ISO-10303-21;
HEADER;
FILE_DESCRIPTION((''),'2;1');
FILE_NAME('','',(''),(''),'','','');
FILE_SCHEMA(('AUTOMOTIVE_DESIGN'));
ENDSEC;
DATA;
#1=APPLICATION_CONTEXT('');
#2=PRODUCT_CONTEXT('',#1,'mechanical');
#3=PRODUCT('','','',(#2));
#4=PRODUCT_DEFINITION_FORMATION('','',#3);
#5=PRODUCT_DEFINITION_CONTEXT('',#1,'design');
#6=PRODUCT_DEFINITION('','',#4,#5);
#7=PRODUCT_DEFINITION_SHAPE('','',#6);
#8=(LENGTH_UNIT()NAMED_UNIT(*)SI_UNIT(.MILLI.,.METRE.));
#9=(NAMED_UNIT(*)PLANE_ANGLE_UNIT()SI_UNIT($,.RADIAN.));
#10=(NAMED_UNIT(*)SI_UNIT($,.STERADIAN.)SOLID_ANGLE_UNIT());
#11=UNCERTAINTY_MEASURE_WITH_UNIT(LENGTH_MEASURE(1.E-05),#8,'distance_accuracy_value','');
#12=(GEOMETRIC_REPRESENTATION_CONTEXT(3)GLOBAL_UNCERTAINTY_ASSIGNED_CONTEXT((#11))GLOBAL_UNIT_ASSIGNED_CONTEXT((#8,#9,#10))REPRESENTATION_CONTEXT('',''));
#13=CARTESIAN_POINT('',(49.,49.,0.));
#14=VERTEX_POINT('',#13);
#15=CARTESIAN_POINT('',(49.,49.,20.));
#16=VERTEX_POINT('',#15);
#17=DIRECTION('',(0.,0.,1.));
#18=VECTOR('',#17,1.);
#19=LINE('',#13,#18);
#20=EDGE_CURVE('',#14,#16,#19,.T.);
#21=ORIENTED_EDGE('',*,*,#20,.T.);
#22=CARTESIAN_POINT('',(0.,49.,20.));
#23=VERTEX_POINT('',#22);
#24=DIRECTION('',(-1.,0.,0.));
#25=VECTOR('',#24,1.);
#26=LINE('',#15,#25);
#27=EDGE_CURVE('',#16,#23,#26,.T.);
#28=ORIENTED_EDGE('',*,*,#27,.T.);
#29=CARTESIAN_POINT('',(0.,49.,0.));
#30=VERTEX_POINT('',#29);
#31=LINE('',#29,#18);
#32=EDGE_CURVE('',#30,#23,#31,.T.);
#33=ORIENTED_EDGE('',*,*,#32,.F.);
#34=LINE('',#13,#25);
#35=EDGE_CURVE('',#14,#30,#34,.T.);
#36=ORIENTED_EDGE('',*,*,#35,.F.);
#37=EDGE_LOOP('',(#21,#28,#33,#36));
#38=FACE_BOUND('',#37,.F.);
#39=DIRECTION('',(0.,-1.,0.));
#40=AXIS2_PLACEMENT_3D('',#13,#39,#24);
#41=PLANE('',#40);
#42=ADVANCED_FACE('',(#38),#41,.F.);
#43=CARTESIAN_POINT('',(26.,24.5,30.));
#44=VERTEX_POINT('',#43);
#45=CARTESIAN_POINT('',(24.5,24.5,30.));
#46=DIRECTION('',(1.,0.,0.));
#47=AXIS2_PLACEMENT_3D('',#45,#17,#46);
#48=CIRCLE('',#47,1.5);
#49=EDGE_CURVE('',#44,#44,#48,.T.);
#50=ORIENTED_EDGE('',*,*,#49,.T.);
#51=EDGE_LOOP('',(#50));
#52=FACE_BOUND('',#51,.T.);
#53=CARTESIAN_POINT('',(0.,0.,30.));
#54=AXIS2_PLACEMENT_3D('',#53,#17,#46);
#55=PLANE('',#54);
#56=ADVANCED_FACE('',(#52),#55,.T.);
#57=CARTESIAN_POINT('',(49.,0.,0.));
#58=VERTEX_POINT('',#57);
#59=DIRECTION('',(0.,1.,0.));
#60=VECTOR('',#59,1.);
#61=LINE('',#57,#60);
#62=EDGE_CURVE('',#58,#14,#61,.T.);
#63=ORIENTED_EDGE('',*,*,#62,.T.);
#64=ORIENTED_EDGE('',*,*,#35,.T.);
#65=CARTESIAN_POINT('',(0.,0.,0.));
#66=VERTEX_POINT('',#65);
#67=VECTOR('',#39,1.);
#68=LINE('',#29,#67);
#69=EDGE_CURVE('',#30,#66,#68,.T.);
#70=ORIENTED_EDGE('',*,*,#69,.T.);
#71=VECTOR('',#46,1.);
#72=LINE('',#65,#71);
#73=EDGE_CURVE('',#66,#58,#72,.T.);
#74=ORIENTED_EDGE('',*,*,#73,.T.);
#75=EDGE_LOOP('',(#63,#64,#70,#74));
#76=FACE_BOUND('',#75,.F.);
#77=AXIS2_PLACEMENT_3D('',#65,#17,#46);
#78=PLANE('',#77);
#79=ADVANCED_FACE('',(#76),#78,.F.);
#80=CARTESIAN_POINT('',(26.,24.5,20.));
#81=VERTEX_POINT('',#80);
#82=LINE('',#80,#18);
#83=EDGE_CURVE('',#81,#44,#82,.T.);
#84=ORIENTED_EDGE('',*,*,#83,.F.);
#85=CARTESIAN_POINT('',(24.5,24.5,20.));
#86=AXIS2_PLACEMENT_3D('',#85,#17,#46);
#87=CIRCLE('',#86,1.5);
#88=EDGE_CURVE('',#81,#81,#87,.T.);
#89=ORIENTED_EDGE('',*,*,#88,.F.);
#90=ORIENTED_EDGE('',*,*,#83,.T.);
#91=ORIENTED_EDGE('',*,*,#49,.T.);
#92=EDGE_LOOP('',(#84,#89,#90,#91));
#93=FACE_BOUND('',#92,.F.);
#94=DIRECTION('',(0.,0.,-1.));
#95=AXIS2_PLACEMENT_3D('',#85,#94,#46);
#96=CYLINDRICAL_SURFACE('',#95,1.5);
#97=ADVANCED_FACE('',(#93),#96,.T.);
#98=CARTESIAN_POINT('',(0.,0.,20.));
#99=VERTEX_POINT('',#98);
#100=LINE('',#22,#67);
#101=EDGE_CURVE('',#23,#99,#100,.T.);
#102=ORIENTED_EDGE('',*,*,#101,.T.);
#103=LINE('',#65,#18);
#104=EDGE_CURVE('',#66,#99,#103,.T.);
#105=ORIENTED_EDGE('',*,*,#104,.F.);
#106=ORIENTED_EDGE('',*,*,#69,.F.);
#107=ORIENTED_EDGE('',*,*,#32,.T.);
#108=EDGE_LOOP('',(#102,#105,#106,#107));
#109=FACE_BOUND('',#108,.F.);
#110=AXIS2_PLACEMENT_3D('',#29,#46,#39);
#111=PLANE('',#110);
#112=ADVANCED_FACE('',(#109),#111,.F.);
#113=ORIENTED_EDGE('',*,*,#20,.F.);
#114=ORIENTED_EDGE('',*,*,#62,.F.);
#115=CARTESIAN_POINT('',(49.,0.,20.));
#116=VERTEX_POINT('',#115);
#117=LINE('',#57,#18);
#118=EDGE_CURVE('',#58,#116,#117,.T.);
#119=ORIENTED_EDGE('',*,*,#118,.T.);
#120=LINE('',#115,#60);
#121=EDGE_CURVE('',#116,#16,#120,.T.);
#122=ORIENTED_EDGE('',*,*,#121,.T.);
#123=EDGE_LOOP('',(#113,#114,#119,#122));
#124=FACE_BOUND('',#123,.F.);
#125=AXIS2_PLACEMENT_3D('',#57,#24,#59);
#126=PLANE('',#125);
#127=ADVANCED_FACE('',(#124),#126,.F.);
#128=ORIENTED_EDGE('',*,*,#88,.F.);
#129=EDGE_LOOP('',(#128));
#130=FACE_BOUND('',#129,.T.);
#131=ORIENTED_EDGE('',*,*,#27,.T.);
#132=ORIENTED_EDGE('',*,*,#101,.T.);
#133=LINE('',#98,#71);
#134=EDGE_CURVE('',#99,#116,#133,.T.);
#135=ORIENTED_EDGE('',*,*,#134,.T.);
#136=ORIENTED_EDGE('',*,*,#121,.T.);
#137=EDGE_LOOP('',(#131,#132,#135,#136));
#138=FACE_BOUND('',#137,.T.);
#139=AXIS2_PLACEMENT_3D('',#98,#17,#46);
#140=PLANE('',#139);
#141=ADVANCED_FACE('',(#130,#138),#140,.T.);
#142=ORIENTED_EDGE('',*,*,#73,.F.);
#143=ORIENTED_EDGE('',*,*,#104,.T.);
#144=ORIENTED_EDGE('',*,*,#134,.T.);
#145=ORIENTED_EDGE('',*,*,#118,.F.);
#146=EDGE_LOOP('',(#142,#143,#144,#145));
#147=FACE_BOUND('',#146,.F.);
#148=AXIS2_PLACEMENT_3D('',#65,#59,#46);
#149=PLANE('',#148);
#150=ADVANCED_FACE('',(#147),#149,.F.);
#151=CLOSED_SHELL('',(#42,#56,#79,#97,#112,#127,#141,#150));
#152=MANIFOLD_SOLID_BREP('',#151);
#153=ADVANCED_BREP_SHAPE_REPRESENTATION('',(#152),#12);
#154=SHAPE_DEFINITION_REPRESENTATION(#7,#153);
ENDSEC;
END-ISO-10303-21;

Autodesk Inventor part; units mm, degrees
ref_plane "YZ Plane" through (0, 0, 0) normal (1, 0, 0) x (0, 1, 0)
ref_plane "XZ Plane" through (0, 0, 0) normal (0, 1, 0) x (-1, 0, 0)
ref_plane "XY Plane" through (0, 0, 0) normal (0, 0, 1) x (1, 0, 0)
sketch "Sketch1" plane through (0, 0, 0) normal (0, 0, 1) x (1, 0, 0)
  line L0 (0, 0) -> (49, 0)
  line L1 (49, 0) -> (49, 49)
  line L2 (49, 49) -> (0, 49)
  line L3 (0, 49) -> (0, 0)
  dimension "d0" = 49
  dimension "d1" = 49
extrude "Extrusion1" add sketch "Sketch1" along normal blind 20
sketch "Sketch2" plane through (0, 0, 20) normal (0, 0, 1) x (1, 0, 0)
  circle A0 centre (24.5, 24.5) radius 1.5
  line L0 (49, 49) -> (0, 49) projected
  line L1 (0, 0) -> (49, 0) projected
  line L2 (49, 0) -> (49, 49) projected
  line L3 (0, 49) -> (0, 0) projected
  dimension "d4" = 3
  dimension "d5" = 49
  dimension "d6" = 49
  dimension "d7" = 24.5
  dimension "d8" = 24.5
extrude "Extrusion2" add sketch "Sketch2" along normal blind 10 contours A0
equation "\"d7\" = 0.5 * d6"
equation "\"d8\" = 0.5 * d5"
properties part number "moteur"
